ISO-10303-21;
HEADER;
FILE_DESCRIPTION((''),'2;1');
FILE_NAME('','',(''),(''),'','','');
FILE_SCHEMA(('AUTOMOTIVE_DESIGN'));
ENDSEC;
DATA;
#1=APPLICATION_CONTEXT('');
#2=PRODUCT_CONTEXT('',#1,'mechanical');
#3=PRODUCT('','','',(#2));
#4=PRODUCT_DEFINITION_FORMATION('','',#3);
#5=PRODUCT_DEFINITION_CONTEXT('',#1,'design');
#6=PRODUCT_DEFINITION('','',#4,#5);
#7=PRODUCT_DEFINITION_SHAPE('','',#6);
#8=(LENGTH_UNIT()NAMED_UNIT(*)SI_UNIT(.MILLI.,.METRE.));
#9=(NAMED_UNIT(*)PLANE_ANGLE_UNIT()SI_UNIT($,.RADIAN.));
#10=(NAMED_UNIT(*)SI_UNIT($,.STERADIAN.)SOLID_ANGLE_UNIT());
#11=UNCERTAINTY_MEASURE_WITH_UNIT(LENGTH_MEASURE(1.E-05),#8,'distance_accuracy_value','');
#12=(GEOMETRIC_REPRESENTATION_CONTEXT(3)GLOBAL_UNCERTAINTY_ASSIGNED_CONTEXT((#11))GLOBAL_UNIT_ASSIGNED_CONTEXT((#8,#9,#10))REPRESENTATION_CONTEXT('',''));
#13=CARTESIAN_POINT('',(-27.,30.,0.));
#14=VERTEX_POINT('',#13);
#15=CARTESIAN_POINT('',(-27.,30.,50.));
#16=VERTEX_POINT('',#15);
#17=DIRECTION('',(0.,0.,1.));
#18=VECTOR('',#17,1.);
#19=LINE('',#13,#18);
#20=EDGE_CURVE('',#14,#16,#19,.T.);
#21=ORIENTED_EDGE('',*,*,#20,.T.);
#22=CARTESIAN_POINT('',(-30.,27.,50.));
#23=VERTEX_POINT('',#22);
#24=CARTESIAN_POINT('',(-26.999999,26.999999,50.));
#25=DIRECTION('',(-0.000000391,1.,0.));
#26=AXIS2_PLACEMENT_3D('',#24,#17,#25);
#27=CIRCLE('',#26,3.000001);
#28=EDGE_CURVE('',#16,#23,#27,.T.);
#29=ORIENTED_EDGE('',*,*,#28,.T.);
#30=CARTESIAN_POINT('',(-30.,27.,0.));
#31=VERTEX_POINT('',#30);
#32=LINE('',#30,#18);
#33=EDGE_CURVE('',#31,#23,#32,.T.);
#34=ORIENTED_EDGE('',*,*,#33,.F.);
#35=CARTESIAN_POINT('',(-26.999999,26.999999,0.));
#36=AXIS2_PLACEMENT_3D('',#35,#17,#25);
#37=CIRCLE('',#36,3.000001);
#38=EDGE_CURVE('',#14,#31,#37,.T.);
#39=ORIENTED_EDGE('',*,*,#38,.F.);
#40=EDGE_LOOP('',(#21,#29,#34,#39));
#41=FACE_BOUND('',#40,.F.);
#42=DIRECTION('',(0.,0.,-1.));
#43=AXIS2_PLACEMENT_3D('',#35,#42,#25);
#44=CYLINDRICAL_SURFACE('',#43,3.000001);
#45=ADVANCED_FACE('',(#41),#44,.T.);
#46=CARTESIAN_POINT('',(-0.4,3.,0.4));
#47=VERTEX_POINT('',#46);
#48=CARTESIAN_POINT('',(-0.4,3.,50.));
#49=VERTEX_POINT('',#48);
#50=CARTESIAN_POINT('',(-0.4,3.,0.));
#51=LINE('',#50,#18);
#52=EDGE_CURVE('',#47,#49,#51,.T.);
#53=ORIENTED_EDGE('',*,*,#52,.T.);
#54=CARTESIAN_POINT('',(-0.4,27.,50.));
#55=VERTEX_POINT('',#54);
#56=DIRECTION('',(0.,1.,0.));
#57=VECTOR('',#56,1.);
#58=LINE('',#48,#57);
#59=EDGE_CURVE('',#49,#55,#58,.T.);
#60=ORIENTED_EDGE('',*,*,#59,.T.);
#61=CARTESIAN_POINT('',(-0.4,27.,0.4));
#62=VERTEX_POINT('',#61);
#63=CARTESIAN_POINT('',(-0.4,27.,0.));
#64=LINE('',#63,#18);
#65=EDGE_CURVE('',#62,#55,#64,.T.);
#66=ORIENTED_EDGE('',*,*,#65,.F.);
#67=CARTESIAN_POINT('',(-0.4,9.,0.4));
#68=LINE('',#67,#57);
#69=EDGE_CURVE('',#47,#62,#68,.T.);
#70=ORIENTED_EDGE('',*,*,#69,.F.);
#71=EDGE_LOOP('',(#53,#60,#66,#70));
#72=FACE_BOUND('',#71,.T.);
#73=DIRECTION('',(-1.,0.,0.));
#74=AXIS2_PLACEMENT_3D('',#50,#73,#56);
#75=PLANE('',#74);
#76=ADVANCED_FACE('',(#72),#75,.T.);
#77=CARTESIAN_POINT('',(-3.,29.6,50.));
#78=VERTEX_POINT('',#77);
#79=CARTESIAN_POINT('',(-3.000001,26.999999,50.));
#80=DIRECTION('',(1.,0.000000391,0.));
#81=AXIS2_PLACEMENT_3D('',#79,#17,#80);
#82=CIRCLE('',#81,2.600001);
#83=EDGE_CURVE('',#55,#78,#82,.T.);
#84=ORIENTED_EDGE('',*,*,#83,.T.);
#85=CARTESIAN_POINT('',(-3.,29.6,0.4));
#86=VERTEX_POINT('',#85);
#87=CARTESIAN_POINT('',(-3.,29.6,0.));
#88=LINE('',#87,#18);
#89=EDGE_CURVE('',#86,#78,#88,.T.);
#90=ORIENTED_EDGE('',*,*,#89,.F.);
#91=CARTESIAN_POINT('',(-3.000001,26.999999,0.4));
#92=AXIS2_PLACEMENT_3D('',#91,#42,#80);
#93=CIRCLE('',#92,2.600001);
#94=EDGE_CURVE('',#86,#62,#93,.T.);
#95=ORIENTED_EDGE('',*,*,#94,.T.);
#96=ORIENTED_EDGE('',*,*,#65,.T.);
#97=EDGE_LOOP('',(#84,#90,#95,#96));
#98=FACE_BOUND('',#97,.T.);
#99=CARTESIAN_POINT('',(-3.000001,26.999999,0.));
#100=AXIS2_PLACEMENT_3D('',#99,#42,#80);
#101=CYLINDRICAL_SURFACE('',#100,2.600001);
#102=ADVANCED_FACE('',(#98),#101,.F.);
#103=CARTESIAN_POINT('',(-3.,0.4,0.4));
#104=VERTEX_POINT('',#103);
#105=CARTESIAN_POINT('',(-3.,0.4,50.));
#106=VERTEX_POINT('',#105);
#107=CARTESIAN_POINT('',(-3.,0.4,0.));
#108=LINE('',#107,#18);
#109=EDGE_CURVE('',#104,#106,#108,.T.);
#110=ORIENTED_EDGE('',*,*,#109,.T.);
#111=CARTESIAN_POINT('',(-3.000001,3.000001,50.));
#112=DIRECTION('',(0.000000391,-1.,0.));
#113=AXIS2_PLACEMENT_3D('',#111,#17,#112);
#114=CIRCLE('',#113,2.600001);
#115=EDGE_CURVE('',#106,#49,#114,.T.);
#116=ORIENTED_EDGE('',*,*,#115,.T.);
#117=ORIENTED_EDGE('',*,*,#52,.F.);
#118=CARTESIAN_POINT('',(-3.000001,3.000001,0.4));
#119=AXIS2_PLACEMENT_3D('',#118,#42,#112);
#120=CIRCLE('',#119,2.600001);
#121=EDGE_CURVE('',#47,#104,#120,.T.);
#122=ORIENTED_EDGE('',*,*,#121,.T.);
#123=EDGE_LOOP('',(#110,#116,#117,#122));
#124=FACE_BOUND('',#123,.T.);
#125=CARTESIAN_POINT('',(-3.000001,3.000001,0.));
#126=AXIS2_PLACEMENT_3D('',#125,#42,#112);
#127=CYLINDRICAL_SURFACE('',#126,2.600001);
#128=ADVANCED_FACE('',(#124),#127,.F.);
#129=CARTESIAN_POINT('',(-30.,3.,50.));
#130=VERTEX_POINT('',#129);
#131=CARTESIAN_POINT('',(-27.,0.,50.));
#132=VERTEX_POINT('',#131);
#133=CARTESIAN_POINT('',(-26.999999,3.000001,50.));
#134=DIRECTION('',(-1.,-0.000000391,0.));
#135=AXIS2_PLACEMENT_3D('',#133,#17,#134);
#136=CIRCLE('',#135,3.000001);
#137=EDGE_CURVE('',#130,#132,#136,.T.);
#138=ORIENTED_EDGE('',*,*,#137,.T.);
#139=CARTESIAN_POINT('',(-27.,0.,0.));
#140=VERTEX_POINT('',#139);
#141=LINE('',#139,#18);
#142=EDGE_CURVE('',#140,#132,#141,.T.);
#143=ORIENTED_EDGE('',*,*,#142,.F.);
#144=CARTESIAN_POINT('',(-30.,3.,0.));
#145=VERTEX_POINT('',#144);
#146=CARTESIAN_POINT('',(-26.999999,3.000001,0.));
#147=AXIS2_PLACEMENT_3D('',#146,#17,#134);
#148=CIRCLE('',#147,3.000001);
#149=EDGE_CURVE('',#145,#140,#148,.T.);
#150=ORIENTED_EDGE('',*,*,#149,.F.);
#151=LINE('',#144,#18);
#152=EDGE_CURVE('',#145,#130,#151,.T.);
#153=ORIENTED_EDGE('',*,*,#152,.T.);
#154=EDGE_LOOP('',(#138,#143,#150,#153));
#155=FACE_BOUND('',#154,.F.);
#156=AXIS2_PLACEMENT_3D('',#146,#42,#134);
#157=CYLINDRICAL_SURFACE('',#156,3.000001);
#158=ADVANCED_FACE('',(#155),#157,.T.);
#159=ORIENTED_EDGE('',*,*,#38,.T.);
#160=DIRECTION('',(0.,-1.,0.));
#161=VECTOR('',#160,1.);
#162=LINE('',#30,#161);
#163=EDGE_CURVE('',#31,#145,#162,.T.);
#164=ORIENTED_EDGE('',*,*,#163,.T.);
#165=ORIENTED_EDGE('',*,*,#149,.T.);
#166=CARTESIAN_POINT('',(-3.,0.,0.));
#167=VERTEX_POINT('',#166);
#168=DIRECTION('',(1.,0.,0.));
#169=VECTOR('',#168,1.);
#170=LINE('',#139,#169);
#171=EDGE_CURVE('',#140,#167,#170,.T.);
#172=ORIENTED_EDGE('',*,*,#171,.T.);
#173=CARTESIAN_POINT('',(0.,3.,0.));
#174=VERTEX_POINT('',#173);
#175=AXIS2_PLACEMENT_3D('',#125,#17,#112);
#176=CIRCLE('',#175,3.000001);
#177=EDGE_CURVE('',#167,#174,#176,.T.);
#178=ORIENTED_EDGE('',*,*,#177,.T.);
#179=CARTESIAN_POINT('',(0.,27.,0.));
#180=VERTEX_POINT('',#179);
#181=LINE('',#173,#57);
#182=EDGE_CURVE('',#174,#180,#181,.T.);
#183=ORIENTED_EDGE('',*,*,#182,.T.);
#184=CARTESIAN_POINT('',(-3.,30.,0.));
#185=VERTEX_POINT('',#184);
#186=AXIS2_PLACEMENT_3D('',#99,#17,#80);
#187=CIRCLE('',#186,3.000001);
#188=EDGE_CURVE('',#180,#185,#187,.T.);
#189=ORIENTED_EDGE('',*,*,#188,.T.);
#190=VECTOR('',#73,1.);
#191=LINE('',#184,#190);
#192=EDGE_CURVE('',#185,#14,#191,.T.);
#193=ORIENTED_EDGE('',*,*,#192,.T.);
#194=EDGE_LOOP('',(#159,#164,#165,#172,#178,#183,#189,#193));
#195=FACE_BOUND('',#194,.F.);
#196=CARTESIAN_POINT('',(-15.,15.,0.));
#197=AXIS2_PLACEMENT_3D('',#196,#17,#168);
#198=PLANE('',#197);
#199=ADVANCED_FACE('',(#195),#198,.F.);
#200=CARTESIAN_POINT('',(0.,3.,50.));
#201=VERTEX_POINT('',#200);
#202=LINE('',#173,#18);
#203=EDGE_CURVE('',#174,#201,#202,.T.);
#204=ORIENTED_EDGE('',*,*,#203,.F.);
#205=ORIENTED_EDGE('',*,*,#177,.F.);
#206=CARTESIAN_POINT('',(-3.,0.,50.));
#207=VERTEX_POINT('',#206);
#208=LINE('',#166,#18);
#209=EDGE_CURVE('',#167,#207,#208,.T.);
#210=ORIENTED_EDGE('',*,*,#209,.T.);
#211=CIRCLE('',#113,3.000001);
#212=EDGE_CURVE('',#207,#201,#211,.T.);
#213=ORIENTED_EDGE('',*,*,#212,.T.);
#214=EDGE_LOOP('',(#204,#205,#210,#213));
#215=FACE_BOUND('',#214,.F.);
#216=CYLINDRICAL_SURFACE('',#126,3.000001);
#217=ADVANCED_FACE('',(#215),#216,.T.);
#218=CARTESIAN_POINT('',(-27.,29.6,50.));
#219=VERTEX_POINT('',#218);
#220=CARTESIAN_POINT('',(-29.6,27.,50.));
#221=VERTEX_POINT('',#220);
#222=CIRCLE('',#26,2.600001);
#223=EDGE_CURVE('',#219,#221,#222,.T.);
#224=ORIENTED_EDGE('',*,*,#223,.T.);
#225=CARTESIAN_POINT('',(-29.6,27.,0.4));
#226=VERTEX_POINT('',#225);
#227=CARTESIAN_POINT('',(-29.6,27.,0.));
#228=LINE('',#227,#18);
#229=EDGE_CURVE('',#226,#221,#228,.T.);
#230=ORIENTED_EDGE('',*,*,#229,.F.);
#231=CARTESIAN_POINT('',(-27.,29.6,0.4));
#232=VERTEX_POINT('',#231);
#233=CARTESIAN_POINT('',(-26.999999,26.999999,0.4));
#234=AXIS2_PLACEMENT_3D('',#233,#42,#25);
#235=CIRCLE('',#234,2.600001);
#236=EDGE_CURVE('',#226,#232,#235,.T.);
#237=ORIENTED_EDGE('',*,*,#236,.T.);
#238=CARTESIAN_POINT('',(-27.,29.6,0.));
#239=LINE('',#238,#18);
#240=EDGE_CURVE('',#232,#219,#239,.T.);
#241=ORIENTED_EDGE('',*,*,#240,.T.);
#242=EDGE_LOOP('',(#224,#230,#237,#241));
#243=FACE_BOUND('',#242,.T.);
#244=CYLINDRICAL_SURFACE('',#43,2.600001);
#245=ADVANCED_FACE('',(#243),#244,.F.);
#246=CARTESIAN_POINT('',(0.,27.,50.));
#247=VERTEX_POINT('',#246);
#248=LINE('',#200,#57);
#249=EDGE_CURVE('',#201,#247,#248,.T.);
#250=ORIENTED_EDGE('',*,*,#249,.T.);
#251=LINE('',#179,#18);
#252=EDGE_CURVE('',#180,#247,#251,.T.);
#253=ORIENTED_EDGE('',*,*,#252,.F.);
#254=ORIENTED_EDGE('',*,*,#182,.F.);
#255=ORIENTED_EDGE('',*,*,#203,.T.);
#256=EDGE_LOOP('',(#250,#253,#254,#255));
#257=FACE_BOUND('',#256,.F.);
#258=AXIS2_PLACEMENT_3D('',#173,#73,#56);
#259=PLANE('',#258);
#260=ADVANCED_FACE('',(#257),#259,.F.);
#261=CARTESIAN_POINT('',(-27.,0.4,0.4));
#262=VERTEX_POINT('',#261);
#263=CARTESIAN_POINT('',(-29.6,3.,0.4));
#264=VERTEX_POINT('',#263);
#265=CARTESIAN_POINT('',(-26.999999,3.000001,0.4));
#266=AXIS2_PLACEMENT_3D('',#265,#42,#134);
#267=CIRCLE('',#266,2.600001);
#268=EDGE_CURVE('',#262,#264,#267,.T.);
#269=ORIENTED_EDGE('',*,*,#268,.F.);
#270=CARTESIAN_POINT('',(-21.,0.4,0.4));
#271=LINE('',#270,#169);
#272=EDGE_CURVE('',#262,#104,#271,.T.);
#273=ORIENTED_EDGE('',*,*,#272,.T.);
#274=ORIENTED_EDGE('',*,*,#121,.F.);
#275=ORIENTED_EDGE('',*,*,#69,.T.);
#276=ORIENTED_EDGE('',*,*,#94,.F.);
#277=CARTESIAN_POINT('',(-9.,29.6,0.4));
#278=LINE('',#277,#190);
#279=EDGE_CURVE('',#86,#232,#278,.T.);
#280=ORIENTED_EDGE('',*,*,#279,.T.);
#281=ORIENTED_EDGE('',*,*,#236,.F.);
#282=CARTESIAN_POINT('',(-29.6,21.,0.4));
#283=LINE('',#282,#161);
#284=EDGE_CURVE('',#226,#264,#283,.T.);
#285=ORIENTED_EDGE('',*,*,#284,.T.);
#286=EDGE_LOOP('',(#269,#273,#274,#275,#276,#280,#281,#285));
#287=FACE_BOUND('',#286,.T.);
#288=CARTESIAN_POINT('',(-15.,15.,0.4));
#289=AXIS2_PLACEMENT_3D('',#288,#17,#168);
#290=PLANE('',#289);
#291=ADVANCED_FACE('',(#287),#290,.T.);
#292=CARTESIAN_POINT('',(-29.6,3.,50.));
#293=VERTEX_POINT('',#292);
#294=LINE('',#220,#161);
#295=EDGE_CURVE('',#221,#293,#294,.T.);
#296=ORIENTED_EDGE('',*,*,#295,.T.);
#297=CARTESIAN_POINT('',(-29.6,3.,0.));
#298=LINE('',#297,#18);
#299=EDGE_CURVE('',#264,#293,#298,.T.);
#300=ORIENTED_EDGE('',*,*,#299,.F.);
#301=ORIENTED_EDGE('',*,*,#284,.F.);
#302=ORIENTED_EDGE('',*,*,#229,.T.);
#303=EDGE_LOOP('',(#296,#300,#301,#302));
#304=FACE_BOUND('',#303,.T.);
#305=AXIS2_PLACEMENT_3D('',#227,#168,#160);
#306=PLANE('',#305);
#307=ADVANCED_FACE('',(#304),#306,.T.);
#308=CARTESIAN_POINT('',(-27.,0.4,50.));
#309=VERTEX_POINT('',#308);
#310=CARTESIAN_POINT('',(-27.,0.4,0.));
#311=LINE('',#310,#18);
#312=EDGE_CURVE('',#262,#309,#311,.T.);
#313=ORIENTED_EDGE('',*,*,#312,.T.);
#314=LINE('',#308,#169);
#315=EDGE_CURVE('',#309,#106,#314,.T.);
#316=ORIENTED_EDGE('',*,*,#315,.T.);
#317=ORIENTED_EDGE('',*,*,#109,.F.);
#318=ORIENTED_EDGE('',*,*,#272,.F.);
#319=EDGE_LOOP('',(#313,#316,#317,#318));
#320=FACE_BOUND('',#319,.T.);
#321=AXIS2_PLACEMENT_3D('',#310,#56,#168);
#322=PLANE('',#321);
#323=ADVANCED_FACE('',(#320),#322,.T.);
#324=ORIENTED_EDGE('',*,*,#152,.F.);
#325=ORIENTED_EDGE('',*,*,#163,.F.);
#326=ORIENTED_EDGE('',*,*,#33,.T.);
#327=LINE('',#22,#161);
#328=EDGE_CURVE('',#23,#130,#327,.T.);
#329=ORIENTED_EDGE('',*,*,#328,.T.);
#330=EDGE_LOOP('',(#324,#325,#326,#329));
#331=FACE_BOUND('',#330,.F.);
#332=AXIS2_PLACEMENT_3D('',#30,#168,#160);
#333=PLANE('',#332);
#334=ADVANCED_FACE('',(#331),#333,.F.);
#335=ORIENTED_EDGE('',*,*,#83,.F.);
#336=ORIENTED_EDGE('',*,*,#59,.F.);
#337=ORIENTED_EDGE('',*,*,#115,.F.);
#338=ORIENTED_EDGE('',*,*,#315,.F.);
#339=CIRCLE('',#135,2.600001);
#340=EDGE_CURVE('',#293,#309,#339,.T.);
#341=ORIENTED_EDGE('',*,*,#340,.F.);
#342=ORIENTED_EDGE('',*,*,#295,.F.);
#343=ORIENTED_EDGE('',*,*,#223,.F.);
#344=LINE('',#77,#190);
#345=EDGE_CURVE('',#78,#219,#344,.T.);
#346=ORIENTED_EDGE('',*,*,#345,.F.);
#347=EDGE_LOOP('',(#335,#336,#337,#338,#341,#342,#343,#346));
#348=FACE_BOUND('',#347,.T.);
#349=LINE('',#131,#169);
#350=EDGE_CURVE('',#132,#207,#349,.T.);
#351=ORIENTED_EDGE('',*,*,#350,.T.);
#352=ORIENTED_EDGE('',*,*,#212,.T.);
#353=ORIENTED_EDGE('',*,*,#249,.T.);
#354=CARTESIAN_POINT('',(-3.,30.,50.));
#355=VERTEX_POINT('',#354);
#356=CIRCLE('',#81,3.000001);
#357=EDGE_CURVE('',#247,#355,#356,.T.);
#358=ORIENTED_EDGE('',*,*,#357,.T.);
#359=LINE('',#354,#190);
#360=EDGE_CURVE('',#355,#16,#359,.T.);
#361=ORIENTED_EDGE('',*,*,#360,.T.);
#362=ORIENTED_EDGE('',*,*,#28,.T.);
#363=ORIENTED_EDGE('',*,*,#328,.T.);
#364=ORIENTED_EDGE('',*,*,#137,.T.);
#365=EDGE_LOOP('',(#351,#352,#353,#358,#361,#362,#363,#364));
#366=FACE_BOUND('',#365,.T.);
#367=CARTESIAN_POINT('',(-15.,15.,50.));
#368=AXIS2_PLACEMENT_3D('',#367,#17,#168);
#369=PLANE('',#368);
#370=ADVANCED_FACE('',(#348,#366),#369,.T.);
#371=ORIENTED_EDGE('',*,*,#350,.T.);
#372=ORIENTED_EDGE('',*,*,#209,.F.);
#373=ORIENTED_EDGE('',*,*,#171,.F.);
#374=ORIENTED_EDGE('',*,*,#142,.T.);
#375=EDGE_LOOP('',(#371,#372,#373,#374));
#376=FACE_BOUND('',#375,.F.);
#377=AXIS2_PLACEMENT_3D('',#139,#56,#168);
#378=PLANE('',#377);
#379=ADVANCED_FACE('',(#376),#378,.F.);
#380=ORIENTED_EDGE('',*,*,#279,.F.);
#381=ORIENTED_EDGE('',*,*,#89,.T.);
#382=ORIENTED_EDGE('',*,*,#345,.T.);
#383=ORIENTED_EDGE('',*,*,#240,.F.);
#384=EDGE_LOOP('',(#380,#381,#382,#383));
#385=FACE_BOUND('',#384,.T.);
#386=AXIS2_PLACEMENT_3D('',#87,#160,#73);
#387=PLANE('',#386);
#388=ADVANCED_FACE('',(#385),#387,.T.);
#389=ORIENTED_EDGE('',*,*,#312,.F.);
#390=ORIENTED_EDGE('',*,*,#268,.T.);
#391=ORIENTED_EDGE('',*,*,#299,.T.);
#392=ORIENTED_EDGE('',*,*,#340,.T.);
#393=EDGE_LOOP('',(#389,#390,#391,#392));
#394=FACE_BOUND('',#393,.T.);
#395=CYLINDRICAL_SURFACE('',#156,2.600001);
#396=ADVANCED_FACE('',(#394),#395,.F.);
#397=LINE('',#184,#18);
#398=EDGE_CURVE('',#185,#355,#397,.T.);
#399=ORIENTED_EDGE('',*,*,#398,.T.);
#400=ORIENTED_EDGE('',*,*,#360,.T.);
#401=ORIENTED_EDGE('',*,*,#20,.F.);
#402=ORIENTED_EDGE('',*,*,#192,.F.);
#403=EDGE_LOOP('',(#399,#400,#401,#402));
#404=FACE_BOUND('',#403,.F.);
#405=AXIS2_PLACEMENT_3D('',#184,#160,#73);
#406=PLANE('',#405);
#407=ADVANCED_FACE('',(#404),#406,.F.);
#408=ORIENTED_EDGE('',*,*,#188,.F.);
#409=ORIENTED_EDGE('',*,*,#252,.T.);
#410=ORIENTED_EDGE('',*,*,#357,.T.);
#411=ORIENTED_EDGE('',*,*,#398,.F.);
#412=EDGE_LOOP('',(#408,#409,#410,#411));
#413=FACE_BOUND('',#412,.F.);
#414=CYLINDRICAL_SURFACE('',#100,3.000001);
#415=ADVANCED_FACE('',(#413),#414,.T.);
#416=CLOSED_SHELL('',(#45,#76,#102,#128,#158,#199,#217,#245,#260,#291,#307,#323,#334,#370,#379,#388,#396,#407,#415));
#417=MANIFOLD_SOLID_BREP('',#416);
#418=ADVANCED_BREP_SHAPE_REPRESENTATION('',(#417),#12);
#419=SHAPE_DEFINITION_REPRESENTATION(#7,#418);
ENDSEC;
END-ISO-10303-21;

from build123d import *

# Parameters (mm, degrees)
F1_DEPTH = 50
F2_T     = -0.4


with BuildPart() as f1:
    # F0 (on Top) → F1 (new body)
    with BuildSketch(Plane.XY):
        with BuildLine():
            Line((-3, 30), (-27, 30))
            ThreePointArc((-27, 30), (-29.12132, 29.12132), (-30, 27))
            Line((-30, 27), (-30, 3))
            ThreePointArc((-30, 3), (-29.12132, 0.87868), (-27, 0))
            Line((-27, 0), (-3, 0))
            ThreePointArc((-3, 0), (-0.87868, 0.87868), (0, 3))
            Line((0, 3), (0, 27))
            ThreePointArc((0, 27), (-0.87868, 29.12132), (-3, 30))
        make_face()
    extrude(amount=F1_DEPTH)

    # F2
    f2_openings = [f1.faces().sort_by_distance(p)[0] for p in [
        (-15, 15, 50),
    ]]
    offset(amount=F2_T, openings=f2_openings)


solid = f1.part
